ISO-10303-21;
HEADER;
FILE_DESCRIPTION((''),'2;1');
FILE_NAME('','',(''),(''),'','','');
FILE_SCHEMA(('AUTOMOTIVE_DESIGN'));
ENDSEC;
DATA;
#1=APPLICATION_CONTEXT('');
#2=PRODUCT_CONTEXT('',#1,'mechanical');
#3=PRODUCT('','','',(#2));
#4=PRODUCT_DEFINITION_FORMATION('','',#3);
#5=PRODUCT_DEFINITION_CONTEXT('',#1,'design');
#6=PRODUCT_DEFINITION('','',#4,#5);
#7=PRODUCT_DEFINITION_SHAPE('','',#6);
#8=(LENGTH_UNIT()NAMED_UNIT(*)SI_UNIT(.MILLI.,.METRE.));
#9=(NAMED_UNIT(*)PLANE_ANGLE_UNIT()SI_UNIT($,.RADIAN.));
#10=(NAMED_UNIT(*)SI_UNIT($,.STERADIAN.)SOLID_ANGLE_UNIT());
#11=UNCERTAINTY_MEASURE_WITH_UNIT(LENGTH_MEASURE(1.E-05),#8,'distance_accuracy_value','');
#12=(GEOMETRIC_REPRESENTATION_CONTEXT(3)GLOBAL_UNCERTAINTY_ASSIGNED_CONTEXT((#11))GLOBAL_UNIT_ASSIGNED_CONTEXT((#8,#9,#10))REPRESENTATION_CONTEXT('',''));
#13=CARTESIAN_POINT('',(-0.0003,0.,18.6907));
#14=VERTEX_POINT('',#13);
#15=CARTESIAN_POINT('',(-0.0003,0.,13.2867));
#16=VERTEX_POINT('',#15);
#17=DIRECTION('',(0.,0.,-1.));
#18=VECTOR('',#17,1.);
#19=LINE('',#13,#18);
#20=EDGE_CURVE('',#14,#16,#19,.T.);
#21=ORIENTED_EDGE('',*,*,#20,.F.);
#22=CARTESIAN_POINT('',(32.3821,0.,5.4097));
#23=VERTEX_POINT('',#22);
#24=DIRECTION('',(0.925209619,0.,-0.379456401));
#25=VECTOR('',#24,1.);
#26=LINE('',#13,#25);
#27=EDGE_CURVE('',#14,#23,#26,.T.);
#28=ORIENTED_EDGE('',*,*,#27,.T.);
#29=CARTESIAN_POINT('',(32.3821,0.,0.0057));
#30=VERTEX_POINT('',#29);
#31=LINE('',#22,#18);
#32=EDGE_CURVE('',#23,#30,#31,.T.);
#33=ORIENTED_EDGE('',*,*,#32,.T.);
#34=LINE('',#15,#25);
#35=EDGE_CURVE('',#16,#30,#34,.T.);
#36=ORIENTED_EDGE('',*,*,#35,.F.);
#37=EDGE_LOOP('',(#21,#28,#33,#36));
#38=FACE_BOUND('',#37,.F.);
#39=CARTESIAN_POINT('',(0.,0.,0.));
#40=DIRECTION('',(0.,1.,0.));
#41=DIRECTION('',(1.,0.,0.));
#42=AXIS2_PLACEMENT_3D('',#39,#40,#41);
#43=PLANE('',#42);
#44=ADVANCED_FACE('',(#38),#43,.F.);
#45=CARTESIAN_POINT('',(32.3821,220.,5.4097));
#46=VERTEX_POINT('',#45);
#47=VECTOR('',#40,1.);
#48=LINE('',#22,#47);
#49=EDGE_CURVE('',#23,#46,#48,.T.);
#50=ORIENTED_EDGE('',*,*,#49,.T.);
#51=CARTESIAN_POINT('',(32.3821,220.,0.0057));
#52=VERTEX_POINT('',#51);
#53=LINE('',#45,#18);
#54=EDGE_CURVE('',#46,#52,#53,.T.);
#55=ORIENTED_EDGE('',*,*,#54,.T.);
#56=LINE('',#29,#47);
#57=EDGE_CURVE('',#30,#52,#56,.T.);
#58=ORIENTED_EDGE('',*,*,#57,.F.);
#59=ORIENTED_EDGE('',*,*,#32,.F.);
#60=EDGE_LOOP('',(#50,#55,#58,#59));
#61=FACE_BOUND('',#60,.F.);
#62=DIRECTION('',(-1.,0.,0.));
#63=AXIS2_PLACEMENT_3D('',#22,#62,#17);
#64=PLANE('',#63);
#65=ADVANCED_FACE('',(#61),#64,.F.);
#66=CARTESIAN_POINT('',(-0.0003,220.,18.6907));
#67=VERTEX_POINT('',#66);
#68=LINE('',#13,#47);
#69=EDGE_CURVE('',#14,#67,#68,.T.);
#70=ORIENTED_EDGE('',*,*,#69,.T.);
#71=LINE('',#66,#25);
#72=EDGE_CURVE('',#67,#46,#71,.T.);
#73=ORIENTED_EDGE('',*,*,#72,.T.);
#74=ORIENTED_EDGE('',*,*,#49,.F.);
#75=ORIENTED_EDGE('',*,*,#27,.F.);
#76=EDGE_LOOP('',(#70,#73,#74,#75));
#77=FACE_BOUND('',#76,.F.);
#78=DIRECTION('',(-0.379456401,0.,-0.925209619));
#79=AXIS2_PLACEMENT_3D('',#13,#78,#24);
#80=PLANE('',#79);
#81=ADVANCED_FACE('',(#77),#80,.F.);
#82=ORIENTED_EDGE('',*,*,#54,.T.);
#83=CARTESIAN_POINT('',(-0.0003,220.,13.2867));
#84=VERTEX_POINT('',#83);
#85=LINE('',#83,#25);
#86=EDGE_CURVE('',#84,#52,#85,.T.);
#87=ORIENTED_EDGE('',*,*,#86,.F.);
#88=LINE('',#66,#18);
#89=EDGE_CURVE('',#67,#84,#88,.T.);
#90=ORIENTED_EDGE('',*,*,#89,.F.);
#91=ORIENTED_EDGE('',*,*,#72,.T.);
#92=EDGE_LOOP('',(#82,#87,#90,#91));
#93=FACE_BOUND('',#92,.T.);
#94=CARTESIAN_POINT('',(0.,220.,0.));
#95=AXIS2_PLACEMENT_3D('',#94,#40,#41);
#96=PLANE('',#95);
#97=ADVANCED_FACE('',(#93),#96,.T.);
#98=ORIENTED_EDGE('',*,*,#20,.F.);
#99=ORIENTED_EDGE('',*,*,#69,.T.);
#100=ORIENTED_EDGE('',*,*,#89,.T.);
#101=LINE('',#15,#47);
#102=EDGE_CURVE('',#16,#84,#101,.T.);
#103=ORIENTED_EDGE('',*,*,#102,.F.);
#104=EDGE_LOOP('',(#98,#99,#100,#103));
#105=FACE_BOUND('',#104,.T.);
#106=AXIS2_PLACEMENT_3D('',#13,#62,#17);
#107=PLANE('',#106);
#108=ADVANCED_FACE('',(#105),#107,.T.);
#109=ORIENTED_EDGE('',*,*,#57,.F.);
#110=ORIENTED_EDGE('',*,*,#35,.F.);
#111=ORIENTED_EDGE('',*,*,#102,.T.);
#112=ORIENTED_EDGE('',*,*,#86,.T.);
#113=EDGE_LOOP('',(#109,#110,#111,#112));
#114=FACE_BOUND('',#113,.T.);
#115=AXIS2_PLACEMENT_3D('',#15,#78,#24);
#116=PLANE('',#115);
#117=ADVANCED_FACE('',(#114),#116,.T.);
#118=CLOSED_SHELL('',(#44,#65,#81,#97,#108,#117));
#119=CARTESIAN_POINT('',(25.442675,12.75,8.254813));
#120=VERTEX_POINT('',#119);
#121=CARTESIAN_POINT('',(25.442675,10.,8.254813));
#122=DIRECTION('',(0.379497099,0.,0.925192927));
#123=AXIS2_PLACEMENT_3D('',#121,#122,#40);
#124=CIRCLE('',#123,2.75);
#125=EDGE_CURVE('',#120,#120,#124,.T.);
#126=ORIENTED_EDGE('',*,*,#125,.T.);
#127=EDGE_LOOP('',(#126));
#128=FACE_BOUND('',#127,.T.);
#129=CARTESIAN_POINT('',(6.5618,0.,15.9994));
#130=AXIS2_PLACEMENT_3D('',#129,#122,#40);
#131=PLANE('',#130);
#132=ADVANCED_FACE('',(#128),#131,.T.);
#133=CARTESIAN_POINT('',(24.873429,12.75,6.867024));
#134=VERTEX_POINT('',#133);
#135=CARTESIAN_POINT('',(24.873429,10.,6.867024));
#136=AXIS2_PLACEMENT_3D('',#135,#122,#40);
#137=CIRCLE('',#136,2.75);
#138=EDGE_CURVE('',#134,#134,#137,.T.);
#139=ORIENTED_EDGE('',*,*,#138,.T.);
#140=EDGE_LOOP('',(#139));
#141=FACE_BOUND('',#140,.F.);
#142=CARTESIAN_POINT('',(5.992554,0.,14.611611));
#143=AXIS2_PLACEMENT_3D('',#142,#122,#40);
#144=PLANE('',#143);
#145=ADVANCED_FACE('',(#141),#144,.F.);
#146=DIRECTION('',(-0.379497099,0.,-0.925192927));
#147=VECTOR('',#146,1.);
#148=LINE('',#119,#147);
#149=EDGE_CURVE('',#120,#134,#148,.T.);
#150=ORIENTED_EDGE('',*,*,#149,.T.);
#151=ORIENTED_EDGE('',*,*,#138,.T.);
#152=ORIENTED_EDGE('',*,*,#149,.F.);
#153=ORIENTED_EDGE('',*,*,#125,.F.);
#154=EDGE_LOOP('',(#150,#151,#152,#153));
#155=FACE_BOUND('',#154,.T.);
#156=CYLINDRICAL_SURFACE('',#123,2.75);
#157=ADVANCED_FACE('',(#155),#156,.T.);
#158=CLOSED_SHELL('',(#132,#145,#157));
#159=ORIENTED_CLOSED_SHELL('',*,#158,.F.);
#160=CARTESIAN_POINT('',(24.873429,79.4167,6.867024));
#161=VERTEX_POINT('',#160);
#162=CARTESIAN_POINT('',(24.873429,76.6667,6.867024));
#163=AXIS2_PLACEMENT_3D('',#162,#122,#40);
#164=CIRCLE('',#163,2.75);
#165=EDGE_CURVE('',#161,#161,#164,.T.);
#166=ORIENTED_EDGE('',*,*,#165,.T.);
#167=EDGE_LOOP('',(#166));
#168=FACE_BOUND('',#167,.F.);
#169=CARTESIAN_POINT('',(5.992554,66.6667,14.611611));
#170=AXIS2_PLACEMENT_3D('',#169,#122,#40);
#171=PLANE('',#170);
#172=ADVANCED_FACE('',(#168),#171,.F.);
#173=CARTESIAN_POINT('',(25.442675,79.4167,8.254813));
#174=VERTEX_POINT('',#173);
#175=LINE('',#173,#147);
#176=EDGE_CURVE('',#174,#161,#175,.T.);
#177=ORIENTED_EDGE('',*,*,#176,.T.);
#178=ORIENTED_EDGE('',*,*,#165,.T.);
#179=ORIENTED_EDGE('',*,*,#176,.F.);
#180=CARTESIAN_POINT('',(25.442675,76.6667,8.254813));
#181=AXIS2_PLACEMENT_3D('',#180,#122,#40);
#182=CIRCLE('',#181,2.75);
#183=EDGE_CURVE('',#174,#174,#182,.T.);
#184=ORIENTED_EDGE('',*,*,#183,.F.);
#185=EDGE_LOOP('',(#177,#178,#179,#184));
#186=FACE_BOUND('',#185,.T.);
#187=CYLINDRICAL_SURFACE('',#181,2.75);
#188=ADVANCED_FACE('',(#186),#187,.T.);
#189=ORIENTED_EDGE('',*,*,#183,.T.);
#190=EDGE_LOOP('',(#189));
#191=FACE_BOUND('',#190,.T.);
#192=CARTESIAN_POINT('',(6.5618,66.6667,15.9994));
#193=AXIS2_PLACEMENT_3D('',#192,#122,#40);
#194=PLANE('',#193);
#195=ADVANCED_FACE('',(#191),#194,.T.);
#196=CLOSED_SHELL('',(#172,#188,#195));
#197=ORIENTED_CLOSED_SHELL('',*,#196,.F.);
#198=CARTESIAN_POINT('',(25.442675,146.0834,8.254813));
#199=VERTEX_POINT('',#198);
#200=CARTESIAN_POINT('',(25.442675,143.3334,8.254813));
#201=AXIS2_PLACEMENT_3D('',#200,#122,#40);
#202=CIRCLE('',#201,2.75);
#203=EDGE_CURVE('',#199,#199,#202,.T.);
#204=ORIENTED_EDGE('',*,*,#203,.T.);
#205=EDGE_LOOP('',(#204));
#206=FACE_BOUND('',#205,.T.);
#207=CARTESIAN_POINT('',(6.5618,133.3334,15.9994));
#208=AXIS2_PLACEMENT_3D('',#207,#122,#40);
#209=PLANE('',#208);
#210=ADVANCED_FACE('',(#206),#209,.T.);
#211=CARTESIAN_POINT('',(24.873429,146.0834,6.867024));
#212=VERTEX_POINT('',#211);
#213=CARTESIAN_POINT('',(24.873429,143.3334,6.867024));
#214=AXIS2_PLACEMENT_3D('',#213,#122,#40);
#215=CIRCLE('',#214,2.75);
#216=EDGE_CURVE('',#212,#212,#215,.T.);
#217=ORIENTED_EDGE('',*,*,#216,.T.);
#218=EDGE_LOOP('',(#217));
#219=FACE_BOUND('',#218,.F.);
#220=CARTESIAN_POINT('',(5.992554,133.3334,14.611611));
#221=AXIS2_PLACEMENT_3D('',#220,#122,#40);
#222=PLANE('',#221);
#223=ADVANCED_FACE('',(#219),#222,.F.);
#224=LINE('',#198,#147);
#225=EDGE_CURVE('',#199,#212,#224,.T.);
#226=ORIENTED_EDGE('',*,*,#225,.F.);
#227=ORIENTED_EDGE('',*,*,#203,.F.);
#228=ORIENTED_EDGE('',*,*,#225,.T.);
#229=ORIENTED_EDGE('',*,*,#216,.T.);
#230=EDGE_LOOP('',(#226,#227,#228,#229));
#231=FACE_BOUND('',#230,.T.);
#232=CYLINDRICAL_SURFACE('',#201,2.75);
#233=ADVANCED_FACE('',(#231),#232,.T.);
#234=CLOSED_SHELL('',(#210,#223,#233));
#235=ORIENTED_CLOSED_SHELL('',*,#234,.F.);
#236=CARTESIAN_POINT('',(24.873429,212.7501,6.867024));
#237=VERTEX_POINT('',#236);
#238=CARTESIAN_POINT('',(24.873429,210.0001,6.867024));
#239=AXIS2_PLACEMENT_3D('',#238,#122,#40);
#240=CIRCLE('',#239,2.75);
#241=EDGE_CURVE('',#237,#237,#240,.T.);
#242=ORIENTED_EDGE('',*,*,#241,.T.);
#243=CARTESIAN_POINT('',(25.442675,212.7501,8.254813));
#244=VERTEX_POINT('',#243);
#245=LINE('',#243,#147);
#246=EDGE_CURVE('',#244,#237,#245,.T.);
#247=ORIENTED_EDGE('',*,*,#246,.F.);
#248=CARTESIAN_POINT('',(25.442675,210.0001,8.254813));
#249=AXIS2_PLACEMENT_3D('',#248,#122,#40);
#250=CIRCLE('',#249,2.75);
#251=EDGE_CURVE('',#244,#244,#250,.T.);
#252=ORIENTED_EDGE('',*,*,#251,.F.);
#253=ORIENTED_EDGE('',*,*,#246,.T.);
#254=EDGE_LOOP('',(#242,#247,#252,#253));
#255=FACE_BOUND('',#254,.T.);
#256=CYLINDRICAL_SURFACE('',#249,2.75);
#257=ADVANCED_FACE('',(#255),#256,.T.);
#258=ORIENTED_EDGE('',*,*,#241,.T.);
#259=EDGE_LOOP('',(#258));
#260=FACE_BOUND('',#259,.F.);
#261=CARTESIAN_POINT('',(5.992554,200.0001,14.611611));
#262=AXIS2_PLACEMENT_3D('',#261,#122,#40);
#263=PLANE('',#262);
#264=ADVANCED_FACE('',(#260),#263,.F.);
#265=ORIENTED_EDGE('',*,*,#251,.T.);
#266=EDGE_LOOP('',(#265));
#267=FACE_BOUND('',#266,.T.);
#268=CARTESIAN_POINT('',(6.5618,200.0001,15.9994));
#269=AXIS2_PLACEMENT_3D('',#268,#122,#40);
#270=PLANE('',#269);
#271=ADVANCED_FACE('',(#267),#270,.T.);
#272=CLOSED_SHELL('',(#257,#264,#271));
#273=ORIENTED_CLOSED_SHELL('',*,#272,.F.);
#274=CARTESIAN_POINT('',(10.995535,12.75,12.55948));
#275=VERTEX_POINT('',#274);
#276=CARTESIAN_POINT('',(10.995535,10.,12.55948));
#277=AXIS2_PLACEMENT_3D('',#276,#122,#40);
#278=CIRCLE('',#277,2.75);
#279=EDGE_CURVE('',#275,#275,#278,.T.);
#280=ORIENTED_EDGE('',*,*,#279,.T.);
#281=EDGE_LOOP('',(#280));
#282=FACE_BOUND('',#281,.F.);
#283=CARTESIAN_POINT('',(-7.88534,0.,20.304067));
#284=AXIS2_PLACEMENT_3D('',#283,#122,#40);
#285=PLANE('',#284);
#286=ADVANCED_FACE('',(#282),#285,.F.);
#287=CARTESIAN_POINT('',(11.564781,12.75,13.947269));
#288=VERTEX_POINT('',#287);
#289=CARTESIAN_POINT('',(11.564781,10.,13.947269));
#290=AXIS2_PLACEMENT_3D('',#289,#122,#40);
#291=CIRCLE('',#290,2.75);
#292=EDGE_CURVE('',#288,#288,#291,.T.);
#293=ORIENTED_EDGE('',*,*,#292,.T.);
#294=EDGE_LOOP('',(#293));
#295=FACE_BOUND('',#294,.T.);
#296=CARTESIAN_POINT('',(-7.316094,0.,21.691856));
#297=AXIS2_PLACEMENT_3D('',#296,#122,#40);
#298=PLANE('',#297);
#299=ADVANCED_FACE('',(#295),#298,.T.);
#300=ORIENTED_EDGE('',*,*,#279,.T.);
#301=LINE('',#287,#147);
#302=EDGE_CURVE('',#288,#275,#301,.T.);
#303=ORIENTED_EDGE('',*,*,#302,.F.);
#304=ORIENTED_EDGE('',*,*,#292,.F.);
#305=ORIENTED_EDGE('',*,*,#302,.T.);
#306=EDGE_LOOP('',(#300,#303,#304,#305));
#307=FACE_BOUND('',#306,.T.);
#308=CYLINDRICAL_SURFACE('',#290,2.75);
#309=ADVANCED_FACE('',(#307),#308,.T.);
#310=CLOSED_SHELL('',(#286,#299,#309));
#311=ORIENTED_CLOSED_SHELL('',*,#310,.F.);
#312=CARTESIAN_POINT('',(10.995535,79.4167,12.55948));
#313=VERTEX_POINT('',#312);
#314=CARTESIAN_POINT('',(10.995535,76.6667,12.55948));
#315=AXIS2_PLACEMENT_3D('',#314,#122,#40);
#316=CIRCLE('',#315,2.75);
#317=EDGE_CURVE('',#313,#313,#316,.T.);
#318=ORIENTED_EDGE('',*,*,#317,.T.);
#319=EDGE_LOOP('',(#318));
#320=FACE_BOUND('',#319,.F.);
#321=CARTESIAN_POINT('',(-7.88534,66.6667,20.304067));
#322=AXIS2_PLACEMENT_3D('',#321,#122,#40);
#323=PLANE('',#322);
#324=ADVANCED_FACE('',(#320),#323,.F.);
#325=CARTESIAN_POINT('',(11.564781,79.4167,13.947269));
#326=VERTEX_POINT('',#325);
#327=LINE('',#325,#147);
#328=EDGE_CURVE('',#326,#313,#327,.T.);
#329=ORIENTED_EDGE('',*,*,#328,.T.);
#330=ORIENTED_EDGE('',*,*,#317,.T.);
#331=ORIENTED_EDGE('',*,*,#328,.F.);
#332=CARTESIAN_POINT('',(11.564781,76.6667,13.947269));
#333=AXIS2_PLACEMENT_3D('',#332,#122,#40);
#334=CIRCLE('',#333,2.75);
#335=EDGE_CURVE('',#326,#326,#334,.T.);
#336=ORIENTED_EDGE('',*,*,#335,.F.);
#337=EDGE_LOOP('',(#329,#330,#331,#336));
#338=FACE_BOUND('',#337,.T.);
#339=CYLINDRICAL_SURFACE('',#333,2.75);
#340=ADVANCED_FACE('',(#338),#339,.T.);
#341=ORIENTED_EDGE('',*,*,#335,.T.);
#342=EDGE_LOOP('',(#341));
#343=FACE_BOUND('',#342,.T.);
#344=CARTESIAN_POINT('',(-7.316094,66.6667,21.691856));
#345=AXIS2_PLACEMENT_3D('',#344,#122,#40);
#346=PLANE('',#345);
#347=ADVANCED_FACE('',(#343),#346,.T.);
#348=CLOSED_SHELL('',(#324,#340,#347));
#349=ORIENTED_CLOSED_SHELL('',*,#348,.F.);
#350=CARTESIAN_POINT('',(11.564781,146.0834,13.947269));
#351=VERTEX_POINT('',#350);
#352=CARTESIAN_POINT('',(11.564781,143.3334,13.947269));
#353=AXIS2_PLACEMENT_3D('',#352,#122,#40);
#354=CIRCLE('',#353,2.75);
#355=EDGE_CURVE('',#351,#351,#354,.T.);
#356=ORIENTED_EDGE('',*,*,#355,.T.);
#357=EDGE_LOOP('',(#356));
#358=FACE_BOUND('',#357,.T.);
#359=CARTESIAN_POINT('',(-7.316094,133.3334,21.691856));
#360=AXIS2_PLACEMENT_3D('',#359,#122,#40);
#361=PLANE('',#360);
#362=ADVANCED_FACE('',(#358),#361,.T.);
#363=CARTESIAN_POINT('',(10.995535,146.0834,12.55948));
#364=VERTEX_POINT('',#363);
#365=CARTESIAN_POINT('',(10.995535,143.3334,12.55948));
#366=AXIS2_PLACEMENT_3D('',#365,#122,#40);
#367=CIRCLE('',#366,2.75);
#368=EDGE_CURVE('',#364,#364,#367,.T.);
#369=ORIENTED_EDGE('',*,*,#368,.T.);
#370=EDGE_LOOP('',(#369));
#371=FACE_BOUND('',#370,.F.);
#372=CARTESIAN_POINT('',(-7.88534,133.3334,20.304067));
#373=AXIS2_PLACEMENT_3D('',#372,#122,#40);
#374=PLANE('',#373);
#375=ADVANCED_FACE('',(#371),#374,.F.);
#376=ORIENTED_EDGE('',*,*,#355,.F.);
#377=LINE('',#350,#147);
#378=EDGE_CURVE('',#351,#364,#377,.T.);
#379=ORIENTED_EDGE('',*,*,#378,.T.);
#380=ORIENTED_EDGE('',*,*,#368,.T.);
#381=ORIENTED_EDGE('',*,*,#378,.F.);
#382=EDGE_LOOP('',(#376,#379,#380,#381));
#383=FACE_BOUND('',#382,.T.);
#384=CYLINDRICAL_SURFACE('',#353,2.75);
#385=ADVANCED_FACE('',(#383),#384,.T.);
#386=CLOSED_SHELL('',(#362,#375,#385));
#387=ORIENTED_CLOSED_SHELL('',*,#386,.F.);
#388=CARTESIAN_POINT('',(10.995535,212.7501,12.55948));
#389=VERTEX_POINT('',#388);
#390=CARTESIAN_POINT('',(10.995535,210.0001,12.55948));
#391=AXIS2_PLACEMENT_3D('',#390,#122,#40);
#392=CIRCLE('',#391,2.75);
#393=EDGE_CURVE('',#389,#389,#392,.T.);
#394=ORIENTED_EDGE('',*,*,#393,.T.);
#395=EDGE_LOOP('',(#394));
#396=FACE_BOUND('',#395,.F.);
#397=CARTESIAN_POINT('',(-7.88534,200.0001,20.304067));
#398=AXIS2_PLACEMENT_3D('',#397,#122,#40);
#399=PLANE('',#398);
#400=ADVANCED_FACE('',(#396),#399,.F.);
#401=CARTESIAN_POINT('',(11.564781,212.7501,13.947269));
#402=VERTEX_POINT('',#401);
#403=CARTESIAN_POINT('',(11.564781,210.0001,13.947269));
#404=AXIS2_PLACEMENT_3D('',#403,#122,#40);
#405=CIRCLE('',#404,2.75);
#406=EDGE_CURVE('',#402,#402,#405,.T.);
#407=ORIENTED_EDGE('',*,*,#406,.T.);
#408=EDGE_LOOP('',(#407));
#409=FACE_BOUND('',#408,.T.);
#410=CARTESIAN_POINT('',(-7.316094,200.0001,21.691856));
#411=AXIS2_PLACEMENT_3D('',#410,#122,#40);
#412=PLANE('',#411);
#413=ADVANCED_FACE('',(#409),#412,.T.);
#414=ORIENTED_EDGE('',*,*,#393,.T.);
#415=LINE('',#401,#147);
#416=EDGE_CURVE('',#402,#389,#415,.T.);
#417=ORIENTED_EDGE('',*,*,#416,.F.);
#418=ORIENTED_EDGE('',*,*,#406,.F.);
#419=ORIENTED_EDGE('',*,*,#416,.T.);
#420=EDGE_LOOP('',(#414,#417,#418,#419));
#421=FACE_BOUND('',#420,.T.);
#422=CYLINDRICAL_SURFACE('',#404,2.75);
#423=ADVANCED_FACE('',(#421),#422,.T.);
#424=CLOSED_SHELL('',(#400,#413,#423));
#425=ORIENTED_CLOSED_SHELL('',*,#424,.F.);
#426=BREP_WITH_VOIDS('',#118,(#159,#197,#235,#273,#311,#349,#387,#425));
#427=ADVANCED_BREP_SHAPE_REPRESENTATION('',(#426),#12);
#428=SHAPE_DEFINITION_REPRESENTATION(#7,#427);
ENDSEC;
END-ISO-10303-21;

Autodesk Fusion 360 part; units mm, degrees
sketch "Name Sign LED Holder Bottom" plane through (0, 0, 0) normal (0, 1, 0) x (1, 0, 0)
  line L0 (-0.0003, -18.6907) -> (-0.0003, -13.2867)
  line L1 (32.3821, -5.4097) -> (32.3821, -0.0057)
  line L2 (-0.0003, -13.2867) -> (32.3821, -0.0057)
  line L3 (-0.0003, -18.6907) -> (32.3821, -5.4097)
  dimension "d36" = 5.404
  dimension "d37" = 5.404
  dimension "d38" = 112.3
  dimension "d39" = 35
  dimension "d40" = 4.9998
extrude "Extrude1" add sketch "Name Sign LED Holder Bottom" along normal blind 220
sketch "Magnet Holes" plane through (6.5618, 0, 15.9994) normal (0.3795, 0, 0.9252) x (0, 1, 0)
  line L0 (0, 7.0925) -> (0, -27.9075)
  line L1 (0, -27.9075) -> (220, -27.9075)
  line L2 (220, -27.9075) -> (220, 7.0925)
  line L3 (220, 7.0925) -> (0, 7.0925)
  circle A0 centre (10, -20.4075) radius 2.75
  dimension "d50" = 5.5
  dimension "d51" = 10
  dimension "d52" = 7.5
extrude "Extrude4" cut sketch "Magnet Holes" against normal blind 1.5 contours A0
pattern_linear "R-Pattern1" count 4 spacing 66.6667 along (0, 1, 0) count 2 spacing 15 along (-0.9252, 0, 0.3795) of "Extrude4"
equation "d4 = 200 mm + 10 mm + 5 mm + 5 mm"
equation "magnet_hole_diameter = 5.5 mm"
equation "magnet_hole_depth = 1.5 mm"
equation "magnet_hole_side_offset = 10 mm"
equation "magnet_hole_top_offset = 7.5 mm"
equation "magnet_pattern_length = 220.00 mm - 2 * ( magnet_hole_side_offset )"
equation "magnet_pattern_height = 35.00 mm - vertical_part_width - 2 * ( magnet_hole_top_offset )"
equation "vertical_part_width = 5.00 mm"
equation "d50 = magnet_hole_diameter"
equation "d51 = magnet_hole_side_offset"
equation "d52 = magnet_hole_top_offset"
equation "d57 = magnet_pattern_length"
equation "d58 = magnet_pattern_height"
